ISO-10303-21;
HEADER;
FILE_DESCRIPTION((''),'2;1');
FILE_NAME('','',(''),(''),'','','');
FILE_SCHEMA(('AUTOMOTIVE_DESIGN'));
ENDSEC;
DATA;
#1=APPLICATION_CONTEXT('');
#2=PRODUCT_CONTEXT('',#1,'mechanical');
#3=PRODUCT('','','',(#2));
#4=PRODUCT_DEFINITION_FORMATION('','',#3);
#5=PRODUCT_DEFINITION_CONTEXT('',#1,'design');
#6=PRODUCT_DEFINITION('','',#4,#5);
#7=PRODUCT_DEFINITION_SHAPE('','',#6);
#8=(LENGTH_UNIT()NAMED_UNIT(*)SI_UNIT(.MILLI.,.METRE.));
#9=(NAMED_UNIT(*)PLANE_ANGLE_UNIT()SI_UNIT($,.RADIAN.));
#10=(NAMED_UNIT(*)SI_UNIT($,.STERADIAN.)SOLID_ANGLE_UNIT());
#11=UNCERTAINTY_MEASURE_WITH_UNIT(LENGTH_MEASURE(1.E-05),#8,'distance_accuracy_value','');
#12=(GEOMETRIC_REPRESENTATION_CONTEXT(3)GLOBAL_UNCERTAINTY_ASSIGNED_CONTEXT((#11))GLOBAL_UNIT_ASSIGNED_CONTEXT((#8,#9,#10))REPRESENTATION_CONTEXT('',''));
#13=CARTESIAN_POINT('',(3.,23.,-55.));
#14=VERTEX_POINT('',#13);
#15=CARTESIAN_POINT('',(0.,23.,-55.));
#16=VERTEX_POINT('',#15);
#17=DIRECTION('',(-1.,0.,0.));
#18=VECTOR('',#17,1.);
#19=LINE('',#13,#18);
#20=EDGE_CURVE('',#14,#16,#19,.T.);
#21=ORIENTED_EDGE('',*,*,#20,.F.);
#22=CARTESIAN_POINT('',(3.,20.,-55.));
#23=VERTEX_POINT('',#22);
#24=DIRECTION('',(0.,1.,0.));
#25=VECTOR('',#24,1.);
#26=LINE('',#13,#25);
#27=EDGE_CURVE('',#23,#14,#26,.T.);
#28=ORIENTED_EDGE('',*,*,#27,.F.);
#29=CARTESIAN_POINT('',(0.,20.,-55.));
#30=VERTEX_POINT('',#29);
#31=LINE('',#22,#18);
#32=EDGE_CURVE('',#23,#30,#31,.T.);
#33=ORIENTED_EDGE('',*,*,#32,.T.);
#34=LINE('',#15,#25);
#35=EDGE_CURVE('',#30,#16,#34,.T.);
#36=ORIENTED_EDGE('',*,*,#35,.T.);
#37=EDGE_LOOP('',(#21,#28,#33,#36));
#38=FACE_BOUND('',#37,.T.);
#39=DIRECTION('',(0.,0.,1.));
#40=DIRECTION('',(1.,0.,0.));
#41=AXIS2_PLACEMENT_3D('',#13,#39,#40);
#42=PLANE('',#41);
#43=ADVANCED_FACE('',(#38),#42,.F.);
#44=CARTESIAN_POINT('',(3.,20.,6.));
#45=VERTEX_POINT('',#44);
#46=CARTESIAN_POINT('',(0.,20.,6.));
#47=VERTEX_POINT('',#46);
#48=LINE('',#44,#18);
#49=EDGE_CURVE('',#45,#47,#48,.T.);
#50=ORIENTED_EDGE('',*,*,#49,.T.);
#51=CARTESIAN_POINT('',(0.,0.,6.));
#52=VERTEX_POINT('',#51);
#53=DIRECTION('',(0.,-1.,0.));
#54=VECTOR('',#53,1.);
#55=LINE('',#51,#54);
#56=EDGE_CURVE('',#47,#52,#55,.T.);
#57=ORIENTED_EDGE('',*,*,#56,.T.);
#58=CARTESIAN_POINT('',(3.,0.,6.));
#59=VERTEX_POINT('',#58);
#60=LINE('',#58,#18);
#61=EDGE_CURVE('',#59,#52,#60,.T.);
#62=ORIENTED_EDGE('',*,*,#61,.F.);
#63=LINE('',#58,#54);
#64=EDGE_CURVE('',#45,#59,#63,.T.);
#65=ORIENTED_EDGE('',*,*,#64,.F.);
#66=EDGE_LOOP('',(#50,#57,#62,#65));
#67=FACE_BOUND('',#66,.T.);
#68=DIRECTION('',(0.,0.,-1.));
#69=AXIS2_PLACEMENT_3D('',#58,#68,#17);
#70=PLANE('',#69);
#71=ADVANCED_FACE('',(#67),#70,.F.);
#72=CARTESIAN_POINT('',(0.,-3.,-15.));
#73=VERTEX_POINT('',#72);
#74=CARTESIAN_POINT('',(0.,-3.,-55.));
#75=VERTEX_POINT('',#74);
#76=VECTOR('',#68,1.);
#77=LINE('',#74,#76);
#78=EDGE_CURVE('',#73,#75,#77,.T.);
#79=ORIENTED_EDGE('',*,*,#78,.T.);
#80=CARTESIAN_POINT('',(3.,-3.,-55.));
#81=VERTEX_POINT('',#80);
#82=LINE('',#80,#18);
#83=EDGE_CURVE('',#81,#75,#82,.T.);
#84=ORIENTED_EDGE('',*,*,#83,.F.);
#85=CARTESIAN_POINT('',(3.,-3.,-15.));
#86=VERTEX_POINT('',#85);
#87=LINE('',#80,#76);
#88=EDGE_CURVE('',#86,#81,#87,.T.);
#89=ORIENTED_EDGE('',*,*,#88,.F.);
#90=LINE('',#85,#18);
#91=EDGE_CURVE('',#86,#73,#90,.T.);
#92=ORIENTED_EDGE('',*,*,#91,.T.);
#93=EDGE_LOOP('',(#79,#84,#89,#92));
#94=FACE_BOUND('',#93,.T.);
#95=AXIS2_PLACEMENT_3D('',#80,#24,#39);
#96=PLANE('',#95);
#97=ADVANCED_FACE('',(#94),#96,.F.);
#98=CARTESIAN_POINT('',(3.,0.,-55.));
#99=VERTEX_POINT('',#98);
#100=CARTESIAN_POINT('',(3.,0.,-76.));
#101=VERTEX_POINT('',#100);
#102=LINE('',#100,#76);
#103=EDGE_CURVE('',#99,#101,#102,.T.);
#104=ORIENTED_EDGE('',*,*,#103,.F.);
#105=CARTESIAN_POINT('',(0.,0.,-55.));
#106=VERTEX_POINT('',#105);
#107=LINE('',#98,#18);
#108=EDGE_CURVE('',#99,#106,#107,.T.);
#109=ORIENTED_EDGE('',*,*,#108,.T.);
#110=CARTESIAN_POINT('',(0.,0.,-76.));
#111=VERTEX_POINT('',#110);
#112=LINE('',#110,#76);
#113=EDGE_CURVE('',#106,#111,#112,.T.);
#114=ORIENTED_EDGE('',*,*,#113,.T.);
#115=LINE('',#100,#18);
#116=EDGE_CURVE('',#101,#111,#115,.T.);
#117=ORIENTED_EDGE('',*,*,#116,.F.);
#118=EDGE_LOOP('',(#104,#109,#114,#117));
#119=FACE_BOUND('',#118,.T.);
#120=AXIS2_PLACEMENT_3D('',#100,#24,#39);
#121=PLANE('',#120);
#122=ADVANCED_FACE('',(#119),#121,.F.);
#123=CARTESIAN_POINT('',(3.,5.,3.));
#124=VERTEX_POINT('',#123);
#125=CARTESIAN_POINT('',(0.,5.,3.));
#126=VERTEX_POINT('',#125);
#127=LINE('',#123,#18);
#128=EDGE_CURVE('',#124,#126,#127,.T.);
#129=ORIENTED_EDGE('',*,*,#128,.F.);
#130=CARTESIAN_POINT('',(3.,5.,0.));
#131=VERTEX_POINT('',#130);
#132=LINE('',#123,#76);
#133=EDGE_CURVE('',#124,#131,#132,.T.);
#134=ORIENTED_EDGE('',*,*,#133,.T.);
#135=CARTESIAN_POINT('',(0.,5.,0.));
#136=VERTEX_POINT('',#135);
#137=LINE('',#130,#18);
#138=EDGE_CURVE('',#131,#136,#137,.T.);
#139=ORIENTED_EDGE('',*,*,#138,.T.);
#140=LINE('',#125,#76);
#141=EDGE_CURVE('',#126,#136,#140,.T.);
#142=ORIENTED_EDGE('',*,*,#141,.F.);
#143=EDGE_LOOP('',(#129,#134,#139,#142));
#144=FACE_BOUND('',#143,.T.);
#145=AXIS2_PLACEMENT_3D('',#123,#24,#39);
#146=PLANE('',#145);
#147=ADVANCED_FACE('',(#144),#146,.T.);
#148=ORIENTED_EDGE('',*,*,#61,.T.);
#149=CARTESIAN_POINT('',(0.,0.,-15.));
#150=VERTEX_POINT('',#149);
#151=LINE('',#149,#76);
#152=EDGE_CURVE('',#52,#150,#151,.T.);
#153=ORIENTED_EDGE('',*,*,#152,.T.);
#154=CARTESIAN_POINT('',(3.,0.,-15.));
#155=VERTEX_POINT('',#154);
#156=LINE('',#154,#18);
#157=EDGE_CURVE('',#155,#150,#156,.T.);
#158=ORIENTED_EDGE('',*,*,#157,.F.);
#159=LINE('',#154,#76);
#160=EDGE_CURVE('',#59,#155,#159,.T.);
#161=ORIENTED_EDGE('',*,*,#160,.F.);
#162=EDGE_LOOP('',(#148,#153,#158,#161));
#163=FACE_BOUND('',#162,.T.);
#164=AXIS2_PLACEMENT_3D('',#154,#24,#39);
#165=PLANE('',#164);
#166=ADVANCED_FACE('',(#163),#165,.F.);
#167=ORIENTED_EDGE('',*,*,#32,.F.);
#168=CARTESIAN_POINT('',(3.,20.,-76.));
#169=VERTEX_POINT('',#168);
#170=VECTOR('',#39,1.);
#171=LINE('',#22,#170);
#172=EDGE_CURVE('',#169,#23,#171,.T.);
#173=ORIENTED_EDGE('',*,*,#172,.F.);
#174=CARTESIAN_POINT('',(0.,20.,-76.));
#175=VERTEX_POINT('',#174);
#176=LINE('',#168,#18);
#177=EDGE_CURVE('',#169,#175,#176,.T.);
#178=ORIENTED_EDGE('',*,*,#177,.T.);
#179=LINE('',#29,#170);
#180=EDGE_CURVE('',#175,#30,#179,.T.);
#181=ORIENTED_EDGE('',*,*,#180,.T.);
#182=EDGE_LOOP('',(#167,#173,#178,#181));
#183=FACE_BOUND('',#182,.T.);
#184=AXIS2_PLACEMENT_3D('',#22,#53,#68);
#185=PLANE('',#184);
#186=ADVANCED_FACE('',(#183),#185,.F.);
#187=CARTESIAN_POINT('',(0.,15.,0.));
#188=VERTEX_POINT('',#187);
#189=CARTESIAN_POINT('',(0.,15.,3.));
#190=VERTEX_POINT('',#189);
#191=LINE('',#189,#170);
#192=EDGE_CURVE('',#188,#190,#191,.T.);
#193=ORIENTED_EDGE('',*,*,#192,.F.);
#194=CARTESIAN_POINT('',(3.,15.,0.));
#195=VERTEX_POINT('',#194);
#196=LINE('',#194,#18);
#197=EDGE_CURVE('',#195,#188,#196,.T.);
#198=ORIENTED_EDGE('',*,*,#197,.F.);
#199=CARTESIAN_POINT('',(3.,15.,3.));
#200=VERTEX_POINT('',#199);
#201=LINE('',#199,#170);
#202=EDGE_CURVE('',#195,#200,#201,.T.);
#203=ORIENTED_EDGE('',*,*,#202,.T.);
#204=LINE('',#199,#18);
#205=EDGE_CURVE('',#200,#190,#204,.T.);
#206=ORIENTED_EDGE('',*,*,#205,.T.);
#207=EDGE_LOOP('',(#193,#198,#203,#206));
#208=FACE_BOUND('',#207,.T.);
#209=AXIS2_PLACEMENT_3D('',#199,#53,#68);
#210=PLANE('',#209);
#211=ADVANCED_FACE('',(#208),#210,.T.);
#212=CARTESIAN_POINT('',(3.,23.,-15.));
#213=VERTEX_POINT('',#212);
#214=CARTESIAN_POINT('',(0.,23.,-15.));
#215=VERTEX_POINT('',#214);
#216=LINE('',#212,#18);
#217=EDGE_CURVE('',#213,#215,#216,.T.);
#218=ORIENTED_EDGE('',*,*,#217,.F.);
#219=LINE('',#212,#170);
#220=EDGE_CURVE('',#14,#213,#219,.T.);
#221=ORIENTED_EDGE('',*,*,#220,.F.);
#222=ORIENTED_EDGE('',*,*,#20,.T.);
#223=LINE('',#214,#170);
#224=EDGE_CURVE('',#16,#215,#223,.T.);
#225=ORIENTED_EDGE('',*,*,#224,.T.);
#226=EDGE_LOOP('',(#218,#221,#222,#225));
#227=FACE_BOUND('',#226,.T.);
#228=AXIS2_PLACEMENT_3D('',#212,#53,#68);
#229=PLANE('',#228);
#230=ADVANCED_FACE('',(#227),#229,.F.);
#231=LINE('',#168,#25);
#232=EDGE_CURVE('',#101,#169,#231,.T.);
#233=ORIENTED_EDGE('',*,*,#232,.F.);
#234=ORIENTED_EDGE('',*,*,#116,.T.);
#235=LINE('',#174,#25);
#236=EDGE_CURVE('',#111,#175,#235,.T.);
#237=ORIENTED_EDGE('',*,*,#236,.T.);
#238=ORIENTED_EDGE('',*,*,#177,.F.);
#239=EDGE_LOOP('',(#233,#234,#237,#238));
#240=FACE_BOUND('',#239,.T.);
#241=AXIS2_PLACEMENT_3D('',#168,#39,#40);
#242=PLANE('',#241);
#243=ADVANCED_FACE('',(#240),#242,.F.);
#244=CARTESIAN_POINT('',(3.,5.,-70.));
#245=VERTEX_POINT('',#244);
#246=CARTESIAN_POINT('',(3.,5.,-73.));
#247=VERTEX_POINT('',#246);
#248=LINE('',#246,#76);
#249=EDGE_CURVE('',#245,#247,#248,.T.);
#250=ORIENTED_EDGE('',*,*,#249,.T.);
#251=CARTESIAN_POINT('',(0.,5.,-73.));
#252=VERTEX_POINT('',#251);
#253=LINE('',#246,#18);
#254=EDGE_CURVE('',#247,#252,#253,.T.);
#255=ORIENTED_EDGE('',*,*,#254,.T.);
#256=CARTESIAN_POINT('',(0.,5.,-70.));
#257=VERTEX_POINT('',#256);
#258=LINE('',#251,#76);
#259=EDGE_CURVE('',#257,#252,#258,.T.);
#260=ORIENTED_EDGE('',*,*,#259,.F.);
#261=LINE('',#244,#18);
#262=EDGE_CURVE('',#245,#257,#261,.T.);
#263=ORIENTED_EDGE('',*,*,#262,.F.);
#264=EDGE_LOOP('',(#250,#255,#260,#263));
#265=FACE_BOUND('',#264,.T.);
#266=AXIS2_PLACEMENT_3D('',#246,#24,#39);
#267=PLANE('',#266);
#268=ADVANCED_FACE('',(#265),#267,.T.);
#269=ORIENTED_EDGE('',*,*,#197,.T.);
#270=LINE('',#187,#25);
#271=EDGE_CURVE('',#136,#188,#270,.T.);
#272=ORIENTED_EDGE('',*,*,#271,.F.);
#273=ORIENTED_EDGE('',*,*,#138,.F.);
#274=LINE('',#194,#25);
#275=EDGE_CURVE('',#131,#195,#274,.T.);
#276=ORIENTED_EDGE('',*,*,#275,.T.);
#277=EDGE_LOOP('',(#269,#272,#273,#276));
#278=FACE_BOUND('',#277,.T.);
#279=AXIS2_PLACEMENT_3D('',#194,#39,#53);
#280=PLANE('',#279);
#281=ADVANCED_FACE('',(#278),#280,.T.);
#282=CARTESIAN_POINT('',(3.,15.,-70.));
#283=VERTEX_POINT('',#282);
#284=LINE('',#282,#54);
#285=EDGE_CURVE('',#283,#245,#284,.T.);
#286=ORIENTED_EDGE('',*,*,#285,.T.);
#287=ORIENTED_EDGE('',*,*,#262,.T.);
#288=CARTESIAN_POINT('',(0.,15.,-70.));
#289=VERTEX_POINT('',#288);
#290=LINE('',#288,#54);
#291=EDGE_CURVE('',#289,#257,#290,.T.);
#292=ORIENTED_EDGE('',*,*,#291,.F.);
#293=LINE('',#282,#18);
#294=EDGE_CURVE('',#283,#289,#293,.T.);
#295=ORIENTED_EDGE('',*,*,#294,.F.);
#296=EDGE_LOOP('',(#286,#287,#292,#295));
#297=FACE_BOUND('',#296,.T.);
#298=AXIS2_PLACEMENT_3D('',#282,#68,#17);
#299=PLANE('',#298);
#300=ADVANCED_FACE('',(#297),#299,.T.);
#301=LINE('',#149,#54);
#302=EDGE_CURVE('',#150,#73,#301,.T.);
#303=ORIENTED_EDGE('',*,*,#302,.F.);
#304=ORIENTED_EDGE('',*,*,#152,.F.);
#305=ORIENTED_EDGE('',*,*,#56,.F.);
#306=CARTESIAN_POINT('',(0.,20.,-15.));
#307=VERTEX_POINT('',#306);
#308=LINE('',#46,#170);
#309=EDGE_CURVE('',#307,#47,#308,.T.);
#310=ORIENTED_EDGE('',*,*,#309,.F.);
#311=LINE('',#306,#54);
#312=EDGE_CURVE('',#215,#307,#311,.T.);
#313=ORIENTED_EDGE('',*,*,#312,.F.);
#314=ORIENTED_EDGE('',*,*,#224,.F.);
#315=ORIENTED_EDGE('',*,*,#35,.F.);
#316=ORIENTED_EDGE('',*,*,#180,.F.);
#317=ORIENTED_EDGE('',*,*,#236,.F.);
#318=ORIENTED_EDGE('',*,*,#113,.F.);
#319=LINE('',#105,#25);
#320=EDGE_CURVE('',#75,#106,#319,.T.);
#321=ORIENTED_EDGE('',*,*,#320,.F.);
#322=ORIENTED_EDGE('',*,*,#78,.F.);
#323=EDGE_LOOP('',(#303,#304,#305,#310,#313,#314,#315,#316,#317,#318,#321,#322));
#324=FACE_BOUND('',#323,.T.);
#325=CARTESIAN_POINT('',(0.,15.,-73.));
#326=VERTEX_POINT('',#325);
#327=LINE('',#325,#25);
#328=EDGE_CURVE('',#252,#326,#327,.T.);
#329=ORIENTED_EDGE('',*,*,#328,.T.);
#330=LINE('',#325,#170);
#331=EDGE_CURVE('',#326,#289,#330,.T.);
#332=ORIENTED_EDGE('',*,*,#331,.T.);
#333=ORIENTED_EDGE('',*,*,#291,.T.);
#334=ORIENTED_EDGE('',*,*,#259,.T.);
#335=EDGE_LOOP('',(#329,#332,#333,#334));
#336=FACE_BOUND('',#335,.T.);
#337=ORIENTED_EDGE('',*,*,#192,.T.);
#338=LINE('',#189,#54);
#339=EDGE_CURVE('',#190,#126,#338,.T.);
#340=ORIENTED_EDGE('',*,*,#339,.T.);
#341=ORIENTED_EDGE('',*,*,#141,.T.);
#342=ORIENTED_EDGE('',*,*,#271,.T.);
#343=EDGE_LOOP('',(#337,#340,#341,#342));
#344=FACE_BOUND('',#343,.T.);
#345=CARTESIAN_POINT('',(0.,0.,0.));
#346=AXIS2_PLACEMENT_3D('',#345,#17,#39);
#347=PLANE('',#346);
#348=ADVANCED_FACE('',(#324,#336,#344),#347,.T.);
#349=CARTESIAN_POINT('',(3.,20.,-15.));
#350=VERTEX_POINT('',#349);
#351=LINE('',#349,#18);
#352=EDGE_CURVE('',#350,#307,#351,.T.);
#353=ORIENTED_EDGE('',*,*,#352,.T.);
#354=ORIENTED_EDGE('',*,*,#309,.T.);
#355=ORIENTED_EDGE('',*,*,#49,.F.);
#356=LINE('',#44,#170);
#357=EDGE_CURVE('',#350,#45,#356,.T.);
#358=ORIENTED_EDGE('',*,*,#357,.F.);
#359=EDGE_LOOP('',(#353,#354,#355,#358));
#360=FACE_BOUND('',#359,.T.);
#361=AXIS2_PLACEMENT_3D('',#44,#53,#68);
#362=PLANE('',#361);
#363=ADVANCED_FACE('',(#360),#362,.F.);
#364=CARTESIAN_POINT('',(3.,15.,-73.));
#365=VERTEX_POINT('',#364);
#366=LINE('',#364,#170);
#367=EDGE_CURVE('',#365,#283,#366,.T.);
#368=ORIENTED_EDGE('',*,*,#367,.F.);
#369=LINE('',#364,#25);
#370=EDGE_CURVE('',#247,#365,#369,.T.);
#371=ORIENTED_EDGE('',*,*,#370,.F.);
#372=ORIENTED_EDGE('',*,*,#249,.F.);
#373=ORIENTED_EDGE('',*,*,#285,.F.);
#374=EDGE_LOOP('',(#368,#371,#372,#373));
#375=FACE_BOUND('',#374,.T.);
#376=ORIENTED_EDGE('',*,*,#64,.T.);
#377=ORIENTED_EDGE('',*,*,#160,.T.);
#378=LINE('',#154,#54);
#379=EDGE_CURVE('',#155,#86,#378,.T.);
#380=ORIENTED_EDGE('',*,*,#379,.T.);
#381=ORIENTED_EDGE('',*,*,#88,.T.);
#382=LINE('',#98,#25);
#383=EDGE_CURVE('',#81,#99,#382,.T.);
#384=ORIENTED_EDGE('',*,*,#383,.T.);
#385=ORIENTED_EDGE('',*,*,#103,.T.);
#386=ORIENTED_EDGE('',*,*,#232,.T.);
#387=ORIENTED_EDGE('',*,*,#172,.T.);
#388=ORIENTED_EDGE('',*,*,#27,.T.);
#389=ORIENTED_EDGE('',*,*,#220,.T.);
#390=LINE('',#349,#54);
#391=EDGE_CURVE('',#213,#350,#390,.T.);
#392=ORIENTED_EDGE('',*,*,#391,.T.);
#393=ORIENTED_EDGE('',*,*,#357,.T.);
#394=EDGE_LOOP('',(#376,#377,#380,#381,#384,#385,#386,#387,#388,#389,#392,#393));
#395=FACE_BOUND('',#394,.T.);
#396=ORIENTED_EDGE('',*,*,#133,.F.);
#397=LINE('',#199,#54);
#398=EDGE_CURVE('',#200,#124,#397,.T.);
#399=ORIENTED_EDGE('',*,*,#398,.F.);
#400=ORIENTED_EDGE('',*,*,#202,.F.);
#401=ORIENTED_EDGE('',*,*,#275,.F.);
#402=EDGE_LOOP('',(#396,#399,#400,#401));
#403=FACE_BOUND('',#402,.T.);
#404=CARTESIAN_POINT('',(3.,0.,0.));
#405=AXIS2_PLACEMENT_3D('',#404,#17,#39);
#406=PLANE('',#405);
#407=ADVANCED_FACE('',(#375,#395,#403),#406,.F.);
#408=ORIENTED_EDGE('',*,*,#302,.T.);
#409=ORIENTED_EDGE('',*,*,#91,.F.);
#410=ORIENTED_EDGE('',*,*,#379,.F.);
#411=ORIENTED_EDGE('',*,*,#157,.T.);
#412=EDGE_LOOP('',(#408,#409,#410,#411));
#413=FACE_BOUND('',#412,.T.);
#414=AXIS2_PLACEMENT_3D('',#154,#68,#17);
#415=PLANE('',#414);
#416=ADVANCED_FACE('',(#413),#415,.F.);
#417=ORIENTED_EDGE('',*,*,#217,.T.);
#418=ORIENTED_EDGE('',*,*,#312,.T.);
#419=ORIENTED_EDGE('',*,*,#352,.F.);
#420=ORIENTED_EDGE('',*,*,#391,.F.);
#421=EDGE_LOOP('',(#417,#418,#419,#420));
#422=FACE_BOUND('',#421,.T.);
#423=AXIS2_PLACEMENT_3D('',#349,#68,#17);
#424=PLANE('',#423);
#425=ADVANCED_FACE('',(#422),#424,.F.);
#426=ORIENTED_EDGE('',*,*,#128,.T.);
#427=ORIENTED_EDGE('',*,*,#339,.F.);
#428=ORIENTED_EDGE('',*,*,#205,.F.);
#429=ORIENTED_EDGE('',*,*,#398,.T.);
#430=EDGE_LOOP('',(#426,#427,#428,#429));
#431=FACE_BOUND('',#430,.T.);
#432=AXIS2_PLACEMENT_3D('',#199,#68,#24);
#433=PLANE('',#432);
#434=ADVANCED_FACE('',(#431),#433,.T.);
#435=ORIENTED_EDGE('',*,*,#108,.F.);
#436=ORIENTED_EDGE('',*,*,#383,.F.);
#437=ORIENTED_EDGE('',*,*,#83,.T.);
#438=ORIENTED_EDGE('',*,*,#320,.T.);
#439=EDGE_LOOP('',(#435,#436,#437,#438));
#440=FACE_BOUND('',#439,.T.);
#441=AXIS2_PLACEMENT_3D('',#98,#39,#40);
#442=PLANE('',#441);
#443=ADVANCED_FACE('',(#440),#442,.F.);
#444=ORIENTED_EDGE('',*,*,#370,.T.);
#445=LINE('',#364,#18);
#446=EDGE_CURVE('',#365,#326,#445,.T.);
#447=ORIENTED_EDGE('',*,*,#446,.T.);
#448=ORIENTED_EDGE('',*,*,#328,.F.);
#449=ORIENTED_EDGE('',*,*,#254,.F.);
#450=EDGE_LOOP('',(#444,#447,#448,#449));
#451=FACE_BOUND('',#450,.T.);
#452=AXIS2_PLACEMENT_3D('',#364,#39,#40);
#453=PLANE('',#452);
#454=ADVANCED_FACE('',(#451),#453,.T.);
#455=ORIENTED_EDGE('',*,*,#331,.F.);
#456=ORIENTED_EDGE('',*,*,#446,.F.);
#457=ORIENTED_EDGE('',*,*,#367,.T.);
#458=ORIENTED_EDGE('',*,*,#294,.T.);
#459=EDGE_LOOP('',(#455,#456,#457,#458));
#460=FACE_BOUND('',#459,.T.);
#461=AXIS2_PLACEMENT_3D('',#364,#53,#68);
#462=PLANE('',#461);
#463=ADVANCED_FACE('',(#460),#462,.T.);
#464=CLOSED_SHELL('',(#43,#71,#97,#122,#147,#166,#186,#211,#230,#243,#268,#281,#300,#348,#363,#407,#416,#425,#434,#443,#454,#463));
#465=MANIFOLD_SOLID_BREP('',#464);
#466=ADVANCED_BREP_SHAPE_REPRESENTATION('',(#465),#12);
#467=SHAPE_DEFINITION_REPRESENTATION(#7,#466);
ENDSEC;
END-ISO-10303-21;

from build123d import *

# Parameters (mm, degrees)
SKETCH1_W           = 3
SKETCH1_H           = 10
BOSS_EXTRUDE1_DEPTH = 3


with BuildPart() as part:
    # Sketch1 → Boss-Extrude1 (new body)
    with BuildSketch(Plane(origin=(0, 0, 0), x_dir=(0, 0, -1), z_dir=(1, 0, 0))):
        Polygon((-6, 0), (-6, 20), (15, 20), (15, 23), (55, 23), (55, 20), (76, 20), (76, 0), (55, 0), (55, -3), (15, -3), (15, 0), align=None)
        with Locations((-1.5, 10)):
            Rectangle(SKETCH1_W, SKETCH1_H, mode=Mode.SUBTRACT)
        with Locations((71.5, 10)):
            Rectangle(SKETCH1_W, SKETCH1_H, mode=Mode.SUBTRACT)
    extrude(amount=BOSS_EXTRUDE1_DEPTH)


solid = part.part
